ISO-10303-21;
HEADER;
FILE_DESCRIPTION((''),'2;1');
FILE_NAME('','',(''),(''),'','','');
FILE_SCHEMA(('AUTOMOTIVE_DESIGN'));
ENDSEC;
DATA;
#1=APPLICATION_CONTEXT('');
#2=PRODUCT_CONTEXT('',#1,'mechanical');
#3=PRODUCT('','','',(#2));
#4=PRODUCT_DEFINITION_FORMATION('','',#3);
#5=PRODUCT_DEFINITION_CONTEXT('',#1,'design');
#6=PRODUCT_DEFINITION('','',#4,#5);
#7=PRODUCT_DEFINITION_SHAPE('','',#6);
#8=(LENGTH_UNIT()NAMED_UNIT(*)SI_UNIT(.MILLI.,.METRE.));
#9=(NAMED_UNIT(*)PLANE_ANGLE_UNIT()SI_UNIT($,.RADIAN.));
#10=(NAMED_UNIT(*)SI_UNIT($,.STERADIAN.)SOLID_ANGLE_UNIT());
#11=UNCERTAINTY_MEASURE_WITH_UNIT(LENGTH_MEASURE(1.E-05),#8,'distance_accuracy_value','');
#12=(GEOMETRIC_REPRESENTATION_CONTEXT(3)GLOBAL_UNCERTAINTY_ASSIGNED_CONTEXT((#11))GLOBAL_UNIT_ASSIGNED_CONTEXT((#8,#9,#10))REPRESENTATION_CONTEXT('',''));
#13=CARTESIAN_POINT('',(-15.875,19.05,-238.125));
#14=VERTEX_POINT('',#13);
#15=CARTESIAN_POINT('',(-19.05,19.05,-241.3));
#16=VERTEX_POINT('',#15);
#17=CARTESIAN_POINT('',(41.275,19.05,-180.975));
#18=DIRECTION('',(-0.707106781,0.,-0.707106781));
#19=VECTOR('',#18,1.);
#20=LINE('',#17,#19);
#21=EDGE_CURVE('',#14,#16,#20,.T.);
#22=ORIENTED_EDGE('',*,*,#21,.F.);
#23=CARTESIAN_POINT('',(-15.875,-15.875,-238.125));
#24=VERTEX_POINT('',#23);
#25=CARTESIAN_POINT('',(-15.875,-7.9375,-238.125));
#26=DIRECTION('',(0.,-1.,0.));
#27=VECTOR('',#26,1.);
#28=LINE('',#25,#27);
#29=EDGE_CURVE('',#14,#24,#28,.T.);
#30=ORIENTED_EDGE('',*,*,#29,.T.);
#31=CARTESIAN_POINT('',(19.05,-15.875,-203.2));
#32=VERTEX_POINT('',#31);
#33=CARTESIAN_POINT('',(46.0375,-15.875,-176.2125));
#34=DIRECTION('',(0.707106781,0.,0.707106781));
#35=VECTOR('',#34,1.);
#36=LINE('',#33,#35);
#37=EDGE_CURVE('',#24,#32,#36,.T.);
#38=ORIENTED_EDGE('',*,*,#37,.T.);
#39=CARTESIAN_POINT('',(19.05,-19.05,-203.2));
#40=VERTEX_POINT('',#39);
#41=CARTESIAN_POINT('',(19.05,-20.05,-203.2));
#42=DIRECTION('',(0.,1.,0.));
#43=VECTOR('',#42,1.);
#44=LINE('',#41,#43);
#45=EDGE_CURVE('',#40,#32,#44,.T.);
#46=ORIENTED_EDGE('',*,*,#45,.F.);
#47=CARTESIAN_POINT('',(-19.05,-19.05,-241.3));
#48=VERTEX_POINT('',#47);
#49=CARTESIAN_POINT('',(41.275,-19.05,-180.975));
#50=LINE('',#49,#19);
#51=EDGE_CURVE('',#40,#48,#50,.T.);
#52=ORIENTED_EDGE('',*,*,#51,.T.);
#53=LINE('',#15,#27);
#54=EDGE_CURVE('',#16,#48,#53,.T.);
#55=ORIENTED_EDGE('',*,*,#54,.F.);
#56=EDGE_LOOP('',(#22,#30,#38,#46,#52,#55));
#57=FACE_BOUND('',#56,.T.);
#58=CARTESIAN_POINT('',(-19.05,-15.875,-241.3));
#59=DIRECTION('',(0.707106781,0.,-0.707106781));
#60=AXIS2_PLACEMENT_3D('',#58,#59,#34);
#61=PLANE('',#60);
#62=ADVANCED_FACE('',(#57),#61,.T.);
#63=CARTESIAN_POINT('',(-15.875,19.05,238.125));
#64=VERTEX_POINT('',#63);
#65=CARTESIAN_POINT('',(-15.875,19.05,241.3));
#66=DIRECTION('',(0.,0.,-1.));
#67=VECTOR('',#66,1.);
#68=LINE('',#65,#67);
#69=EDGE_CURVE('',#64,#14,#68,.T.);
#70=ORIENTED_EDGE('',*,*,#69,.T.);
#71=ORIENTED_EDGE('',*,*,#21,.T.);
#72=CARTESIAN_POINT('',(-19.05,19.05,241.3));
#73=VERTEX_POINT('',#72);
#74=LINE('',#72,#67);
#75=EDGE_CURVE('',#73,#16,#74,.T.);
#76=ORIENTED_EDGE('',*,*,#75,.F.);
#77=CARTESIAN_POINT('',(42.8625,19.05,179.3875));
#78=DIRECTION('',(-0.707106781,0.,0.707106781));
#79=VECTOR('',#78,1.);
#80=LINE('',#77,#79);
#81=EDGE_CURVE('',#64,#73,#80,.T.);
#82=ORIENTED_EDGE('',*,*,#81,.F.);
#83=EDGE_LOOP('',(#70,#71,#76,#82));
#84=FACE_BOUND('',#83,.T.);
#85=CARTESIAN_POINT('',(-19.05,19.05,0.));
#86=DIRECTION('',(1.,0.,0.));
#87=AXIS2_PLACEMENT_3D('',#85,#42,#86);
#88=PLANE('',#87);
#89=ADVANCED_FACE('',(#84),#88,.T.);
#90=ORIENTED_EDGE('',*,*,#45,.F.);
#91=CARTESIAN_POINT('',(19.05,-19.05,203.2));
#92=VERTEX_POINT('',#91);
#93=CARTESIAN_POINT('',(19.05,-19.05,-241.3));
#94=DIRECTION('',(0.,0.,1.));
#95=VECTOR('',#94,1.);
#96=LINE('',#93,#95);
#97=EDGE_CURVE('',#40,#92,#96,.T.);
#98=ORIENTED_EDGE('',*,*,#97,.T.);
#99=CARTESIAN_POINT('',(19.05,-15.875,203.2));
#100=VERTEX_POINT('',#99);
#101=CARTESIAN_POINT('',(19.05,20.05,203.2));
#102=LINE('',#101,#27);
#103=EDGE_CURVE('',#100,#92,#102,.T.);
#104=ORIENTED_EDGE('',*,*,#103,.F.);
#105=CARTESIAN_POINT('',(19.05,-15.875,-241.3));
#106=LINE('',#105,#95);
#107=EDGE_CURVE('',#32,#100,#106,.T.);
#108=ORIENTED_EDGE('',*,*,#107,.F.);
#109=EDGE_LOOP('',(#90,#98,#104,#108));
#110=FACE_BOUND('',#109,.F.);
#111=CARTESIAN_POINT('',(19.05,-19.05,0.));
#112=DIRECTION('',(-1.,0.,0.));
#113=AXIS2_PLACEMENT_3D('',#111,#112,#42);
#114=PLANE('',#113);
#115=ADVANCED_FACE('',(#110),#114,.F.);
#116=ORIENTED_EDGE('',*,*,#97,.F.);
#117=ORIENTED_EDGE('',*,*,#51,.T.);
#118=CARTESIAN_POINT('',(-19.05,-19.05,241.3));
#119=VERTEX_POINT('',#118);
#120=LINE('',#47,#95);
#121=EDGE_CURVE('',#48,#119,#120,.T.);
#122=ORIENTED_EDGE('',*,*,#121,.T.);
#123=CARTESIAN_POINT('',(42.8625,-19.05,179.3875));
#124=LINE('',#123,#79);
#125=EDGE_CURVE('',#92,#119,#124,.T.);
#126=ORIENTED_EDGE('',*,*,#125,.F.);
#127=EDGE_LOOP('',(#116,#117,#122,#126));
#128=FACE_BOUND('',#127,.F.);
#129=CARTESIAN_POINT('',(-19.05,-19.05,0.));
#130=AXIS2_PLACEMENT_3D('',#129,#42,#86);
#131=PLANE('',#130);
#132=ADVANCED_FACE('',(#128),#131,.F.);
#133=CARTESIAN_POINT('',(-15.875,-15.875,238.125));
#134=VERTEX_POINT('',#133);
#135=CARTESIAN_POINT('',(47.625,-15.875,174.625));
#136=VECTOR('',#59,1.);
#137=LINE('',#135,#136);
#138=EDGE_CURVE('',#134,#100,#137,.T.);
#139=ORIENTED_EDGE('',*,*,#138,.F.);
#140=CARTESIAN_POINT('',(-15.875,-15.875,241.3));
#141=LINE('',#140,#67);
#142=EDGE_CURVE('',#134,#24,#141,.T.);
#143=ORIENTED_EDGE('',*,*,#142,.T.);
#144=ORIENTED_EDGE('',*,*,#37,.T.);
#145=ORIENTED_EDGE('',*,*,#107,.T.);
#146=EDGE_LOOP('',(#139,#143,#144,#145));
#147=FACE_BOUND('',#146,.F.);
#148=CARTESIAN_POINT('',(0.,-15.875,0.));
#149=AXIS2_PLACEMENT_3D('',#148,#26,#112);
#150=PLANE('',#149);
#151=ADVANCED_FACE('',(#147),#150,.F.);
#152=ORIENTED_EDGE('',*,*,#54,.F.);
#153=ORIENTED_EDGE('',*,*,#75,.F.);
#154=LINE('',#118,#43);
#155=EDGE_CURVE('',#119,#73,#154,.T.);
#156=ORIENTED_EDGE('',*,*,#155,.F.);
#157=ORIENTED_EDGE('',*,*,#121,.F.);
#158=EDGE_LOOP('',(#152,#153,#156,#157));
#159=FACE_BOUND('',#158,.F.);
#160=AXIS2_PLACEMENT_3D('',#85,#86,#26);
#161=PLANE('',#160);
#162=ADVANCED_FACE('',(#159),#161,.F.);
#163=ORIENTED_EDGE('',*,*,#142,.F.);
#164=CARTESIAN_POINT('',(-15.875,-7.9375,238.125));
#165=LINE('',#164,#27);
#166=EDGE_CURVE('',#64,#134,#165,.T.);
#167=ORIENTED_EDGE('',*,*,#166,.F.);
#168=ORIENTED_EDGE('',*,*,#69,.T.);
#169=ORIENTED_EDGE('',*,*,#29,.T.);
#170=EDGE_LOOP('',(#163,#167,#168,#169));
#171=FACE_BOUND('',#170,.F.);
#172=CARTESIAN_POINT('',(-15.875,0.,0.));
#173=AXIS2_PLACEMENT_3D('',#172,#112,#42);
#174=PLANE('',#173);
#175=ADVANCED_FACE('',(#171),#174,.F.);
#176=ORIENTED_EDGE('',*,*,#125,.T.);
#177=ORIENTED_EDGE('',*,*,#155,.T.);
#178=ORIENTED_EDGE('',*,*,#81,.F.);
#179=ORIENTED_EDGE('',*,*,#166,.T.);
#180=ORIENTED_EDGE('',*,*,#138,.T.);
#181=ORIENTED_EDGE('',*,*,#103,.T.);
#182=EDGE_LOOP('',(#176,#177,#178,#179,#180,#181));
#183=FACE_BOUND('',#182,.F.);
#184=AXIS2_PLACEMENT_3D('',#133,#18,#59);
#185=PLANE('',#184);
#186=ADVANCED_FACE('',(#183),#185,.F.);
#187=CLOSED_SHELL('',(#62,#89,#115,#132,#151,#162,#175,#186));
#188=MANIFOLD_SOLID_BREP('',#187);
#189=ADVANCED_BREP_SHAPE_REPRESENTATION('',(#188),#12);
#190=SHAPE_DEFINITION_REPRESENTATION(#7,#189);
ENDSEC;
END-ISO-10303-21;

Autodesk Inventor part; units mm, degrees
ref_plane "YZ Plane" through (0, 0, 0) normal (1, 0, 0) x (0, 1, 0)
ref_plane "XZ Plane" through (0, 0, 0) normal (0, 1, 0) x (-1, 0, 0)
ref_plane "XY Plane" through (0, 0, 0) normal (0, 0, 1) x (1, 0, 0)
sketch "Sketch1" plane through (0, 0, 0) normal (0, 0, 1) x (1, 0, 0)
  line L0 (-26.67, 0) -> (26.67, 0) projected
  line L1 (0, -26.67) -> (0, 26.67) projected
  line L2 (-19.05, 19.05) -> (-19.05, -19.05)
  line L3 (-19.05, -19.05) -> (19.05, -19.05)
  line L4 (19.05, -15.875) -> (-15.875, -15.875)
  line L5 (-15.875, -15.875) -> (-15.875, 19.05)
  line L6 (-19.05, 19.05) -> (-15.875, 19.05)
  line L7 (19.05, -19.05) -> (19.05, -15.875)
  point P0 (0, 0)
  point P1 (-19.05, 0)
  point P2 (0, -19.05)
  dimension "d0" = 38.1
  dimension "d1" = 3.175
extrude "Extrusion1" add sketch "Sketch1" along normal mid plane 482.6 contours L2 L6 L5 L0 | L0 L5 L4 L1 L3 L2 | L1 L4 L7 L3
sketch "Sketch2" plane through (-15.875, -15.875, 241.3) normal (0, 1, 0) x (1, 0, 0)
  line L0 (0, 0) -> (34.925, 0) projected
  line L1 (34.925, 482.6) -> (34.925, 0) projected
  line L2 (0, 482.6) -> (0, 0) projected
  line L3 (-3.175, 0) -> (-3.175, 482.6) projected
  line L4 (-3.175, 0) -> (34.925, 38.1)
  line L5 (34.925, 241.3) -> (0, 241.3) construction
  line L6 (-3.175, 482.6) -> (34.925, 444.5)
  line L7 (-3.175, 482.6) -> (34.925, 482.6)
  line L8 (34.925, 482.6) -> (34.925, 444.5)
  line L9 (-3.175, 0) -> (34.925, 0)
  line L10 (34.925, 0) -> (34.925, 38.1)
  point P0 (15.875, 241.3)
  dimension "d4" = 45
extrude "Extrusion2" cut sketch "Sketch2" along normal through all both and the other way through all contours L2 L4 L1 L0 | L9 L4 L2 | L6 L7 L2 | L2 L7 L1 L6
properties part number "angle template al-6061 1x1x0.125" material "Aluminum-6061"
